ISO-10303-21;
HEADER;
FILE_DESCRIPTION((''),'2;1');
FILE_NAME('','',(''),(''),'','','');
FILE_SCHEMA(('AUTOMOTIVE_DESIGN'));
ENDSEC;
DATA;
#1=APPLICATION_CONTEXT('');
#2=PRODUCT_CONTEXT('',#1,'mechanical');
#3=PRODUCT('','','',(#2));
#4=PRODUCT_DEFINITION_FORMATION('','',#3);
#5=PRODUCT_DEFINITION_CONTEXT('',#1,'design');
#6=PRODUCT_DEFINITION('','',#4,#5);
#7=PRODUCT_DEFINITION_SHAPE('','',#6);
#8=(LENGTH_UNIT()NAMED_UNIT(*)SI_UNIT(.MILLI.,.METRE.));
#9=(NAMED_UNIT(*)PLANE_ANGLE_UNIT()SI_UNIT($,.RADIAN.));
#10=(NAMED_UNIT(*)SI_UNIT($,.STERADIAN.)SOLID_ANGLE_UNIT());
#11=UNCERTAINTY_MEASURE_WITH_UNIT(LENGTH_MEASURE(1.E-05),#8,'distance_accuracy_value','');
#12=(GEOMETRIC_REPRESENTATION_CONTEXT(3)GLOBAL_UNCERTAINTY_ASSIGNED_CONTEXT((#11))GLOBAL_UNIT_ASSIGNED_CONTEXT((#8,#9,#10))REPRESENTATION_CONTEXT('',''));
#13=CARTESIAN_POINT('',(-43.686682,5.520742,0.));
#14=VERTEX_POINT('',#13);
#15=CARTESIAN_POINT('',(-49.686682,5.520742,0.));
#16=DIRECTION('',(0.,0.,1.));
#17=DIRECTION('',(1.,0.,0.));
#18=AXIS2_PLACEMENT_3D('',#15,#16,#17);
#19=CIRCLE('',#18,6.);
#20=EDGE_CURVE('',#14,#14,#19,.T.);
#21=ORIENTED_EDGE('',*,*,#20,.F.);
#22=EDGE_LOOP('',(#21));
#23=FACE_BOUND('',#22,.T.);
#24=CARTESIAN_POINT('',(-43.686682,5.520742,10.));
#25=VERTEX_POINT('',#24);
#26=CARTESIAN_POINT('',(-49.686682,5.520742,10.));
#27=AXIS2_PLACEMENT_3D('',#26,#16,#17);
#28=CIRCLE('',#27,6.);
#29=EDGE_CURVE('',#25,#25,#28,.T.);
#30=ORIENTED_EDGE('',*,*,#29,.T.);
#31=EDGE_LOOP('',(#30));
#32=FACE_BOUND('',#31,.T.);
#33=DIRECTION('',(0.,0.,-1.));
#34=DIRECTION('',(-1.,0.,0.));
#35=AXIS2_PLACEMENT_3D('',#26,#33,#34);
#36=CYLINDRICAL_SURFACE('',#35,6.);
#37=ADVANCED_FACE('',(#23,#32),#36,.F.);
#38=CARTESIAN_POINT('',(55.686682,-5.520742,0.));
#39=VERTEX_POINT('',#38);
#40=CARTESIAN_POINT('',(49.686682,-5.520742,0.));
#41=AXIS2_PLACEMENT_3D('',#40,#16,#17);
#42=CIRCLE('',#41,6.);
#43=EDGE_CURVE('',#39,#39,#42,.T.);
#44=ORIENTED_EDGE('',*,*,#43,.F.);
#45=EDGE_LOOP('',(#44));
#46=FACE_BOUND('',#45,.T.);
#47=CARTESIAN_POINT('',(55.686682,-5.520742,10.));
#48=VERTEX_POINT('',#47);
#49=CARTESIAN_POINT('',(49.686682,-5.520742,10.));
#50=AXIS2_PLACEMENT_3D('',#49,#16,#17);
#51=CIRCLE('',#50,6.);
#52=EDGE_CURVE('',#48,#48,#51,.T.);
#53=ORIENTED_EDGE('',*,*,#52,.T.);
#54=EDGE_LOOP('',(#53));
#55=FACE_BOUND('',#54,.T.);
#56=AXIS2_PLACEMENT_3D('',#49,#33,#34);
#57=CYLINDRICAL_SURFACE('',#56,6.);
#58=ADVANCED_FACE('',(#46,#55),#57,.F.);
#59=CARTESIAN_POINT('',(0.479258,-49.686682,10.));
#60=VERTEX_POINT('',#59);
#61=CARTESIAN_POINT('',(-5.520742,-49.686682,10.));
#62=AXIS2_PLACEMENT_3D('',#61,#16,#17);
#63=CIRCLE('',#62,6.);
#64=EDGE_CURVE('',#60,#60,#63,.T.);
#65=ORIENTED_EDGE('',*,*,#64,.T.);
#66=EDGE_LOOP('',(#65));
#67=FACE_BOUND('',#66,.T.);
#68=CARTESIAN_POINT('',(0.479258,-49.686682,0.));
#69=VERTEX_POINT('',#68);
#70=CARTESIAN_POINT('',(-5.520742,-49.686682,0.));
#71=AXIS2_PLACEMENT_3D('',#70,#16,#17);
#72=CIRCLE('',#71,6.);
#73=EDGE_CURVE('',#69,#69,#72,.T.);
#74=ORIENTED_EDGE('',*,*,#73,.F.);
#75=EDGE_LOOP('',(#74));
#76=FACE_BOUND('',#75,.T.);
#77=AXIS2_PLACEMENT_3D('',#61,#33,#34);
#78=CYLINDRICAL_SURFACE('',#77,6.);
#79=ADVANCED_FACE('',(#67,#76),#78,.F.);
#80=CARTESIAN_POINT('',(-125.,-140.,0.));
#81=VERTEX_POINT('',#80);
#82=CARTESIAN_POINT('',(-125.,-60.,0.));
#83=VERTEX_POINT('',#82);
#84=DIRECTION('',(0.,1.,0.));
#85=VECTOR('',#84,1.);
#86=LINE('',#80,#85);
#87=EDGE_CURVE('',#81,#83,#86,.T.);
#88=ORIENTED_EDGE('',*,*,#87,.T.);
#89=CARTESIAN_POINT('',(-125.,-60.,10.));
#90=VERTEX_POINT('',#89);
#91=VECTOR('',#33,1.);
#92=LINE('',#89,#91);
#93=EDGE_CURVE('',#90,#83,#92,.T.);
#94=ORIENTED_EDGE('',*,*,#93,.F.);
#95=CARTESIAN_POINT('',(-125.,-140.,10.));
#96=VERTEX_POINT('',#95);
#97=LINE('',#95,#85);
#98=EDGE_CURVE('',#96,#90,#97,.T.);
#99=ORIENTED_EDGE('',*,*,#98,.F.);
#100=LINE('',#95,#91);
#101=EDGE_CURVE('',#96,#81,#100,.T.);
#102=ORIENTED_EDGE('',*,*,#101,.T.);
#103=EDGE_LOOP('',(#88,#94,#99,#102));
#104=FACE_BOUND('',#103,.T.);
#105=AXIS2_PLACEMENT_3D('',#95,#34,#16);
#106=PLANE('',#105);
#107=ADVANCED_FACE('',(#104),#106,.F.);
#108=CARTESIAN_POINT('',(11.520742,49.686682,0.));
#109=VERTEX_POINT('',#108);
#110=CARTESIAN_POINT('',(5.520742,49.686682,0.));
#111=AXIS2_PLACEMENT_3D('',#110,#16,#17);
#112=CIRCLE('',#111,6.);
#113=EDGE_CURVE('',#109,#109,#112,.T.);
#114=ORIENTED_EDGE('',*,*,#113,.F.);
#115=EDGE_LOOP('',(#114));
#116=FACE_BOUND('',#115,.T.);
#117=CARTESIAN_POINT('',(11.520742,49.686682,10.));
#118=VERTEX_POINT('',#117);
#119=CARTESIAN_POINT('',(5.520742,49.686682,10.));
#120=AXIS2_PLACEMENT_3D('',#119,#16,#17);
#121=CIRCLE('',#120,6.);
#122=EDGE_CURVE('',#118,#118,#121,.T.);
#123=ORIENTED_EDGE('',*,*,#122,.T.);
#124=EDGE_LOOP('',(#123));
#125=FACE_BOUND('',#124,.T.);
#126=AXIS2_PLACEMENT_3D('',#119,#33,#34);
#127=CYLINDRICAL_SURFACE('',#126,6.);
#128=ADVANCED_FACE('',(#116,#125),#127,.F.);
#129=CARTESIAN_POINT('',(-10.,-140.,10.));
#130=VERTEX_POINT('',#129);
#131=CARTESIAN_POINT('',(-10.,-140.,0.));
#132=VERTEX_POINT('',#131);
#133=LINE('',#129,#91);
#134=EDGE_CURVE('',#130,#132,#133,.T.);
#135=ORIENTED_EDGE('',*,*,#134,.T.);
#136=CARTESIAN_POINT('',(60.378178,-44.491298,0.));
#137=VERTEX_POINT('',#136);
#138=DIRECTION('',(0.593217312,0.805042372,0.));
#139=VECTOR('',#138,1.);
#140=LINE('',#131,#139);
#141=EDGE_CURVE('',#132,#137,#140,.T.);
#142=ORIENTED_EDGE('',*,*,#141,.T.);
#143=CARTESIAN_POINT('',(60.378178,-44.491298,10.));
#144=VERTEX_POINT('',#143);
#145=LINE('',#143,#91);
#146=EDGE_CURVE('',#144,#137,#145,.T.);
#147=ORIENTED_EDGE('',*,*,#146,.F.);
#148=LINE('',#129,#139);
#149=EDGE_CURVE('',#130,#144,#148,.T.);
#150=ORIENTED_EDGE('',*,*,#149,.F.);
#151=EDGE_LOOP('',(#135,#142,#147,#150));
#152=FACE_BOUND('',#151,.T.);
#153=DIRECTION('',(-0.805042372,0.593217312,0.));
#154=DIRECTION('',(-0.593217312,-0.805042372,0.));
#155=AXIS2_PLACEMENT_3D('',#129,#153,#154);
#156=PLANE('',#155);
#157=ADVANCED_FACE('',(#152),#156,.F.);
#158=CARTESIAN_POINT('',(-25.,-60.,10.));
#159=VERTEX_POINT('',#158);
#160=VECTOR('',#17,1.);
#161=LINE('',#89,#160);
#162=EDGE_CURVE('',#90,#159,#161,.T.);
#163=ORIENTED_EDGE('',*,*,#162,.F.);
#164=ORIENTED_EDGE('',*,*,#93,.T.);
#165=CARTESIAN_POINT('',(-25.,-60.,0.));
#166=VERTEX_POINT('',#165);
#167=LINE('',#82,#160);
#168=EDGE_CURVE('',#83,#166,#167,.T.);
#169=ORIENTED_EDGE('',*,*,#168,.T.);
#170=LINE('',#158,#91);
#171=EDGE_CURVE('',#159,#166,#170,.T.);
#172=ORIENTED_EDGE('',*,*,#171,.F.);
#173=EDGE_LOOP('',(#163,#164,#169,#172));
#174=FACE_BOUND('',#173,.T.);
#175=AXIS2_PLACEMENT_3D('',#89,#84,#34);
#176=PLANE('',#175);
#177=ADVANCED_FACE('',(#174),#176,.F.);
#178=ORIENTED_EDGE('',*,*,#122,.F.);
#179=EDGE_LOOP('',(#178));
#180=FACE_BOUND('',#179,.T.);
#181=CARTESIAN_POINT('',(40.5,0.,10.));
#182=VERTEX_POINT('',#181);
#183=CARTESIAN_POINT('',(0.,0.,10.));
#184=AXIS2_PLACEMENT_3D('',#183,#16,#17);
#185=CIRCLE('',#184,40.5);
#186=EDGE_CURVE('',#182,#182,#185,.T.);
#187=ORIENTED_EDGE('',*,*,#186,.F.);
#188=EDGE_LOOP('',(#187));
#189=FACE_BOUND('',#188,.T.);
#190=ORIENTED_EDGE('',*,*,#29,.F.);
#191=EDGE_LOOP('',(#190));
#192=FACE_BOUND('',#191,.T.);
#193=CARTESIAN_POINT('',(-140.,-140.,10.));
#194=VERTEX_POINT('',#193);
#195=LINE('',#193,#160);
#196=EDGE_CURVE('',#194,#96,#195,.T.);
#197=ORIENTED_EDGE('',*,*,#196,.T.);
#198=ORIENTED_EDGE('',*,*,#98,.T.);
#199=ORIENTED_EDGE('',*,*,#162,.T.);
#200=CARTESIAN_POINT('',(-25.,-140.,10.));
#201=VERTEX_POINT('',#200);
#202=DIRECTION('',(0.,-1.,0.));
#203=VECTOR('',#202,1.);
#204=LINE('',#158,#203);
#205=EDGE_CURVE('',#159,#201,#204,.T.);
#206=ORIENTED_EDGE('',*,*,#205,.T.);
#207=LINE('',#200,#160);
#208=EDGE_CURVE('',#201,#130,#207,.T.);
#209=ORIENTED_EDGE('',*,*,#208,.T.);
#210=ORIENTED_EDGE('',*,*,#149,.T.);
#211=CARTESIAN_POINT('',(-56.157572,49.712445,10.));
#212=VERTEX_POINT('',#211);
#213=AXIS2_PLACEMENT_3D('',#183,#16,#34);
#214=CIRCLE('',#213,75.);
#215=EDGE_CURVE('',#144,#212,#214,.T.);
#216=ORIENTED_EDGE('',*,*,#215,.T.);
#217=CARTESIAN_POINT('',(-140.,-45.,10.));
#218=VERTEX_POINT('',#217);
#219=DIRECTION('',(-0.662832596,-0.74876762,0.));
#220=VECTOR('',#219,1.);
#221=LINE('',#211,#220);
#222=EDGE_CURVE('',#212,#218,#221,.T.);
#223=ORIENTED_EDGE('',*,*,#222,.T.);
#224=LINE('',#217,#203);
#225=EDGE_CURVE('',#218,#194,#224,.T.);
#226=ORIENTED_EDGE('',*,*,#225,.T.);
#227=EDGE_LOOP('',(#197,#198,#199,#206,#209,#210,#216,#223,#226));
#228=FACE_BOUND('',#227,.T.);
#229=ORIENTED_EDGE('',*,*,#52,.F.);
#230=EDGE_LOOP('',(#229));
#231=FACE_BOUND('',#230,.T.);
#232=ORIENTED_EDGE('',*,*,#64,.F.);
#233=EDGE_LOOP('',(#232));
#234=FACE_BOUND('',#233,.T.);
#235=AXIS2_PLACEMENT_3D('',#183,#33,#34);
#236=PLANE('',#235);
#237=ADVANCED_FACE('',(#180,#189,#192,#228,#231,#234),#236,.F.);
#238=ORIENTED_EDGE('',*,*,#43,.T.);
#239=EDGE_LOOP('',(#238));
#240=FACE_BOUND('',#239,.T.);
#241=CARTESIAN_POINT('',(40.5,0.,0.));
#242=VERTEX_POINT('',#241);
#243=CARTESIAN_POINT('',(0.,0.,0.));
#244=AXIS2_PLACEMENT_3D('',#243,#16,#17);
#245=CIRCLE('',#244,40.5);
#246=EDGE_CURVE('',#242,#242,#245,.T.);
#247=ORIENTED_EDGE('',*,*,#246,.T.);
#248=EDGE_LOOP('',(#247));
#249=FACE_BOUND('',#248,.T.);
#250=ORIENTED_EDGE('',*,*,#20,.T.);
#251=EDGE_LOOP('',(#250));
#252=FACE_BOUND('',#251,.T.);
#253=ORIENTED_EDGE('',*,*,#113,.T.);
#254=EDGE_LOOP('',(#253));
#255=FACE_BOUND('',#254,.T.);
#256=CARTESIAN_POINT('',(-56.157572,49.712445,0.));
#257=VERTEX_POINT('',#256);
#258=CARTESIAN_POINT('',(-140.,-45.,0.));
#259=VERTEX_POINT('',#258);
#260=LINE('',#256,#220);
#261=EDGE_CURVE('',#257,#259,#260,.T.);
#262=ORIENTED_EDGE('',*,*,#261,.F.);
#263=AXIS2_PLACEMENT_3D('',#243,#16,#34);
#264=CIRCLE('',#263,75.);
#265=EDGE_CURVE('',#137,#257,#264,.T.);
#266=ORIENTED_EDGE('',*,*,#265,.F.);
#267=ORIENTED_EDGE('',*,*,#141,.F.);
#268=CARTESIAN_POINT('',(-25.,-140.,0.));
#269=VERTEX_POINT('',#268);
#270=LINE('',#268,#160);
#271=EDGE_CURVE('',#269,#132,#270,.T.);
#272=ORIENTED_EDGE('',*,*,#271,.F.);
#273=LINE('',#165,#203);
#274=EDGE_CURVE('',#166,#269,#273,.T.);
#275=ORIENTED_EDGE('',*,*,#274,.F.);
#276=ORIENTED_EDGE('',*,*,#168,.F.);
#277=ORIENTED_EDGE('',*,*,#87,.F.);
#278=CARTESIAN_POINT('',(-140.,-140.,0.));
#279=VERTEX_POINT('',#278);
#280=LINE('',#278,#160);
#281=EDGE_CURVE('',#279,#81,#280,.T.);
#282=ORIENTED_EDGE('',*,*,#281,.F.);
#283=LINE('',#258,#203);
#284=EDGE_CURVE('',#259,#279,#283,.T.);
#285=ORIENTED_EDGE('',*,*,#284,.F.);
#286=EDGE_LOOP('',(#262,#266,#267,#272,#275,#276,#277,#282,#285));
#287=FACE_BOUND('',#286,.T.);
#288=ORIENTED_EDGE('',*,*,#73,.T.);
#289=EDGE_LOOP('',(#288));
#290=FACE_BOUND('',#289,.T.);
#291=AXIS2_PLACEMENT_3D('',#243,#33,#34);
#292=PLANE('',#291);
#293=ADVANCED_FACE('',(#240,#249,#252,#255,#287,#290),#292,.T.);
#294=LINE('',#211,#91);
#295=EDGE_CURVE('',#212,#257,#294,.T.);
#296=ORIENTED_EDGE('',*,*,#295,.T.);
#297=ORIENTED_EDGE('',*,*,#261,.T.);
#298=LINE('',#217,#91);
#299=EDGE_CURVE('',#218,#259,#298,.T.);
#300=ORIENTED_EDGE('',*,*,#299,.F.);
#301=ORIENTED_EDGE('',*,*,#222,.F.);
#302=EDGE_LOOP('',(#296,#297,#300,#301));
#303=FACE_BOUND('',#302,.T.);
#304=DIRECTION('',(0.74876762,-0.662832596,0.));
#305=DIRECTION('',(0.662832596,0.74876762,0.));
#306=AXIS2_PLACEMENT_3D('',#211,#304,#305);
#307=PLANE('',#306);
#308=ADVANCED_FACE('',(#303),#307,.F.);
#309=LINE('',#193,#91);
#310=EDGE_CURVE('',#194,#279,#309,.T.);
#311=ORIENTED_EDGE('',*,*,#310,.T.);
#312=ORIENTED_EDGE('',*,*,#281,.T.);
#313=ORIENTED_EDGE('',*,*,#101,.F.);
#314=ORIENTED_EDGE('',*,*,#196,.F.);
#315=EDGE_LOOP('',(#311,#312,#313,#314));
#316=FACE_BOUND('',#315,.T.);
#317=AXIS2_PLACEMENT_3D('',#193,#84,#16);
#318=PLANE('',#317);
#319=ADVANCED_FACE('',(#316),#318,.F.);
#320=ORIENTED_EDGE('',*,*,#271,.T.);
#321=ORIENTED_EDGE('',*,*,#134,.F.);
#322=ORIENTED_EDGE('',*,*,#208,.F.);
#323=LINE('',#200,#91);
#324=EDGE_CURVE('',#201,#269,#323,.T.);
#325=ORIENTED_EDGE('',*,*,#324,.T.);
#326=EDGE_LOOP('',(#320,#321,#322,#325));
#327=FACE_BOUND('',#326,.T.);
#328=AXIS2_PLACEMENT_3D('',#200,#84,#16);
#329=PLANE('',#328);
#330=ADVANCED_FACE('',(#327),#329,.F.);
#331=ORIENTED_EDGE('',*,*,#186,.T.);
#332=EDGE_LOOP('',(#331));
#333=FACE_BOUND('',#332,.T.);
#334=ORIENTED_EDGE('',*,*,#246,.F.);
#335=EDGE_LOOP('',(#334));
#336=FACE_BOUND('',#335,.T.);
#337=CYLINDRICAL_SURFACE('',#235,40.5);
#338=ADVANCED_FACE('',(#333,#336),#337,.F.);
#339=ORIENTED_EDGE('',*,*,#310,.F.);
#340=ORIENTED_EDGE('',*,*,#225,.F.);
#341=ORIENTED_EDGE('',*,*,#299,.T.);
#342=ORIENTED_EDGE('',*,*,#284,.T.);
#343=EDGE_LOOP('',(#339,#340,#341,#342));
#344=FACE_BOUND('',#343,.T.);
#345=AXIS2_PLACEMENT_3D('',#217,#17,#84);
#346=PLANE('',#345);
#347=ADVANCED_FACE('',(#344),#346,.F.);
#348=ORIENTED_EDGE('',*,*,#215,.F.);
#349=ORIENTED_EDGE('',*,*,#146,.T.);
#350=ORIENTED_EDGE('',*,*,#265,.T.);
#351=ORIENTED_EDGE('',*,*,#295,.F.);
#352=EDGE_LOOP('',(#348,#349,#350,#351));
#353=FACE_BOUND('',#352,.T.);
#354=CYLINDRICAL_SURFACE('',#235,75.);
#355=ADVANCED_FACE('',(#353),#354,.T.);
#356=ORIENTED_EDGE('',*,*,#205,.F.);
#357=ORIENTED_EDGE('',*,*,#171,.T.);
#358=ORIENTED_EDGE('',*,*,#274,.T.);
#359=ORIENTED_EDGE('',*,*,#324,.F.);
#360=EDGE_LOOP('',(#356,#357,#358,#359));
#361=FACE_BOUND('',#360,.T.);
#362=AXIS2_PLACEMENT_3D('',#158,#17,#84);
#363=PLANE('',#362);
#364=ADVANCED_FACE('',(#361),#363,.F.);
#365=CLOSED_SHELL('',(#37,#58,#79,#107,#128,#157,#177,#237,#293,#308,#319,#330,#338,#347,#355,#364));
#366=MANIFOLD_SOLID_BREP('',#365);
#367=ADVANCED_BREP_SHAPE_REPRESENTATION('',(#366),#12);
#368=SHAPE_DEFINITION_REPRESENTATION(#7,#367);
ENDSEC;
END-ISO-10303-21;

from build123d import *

# Parameters (mm, degrees)
ESQUISSE1_R        = 40.5
ESQUISSE1_R_2      = 6
BOSS_EXTRU_1_DEPTH = 10


with BuildPart() as part:
    # Esquisse1 → Boss.-Extru.1 (new body)
    with BuildSketch(Plane.XY):
        with BuildLine():
            Line((-25, -140), (-10, -140))
            Line((-10, -140), (60.378177886, -44.49129842))
            ThreePointArc((60.378177886, -44.49129842), (47.149121788, 58.326326085), (-56.15757152, 49.712444729))
            Line((-56.15757152, 49.712444729), (-140, -45))
            Line((-140, -45), (-140, -140))
            Line((-140, -140), (-125, -140))
            Line((-125, -140), (-125, -60))
            Line((-125, -60), (-25, -60))
            Line((-25, -60), (-25, -140))
        make_face()
        Circle(ESQUISSE1_R, mode=Mode.SUBTRACT)
        with Locations((-49.686682345, 5.520742483)):
            Circle(ESQUISSE1_R_2, mode=Mode.SUBTRACT)
        with Locations((5.520742483, 49.686682345)):
            Circle(ESQUISSE1_R_2, mode=Mode.SUBTRACT)
        with Locations((49.686682345, -5.520742483)):
            Circle(ESQUISSE1_R_2, mode=Mode.SUBTRACT)
        with Locations((-5.520742483, -49.686682345)):
            Circle(ESQUISSE1_R_2, mode=Mode.SUBTRACT)
    extrude(amount=BOSS_EXTRU_1_DEPTH)


solid = part.part
